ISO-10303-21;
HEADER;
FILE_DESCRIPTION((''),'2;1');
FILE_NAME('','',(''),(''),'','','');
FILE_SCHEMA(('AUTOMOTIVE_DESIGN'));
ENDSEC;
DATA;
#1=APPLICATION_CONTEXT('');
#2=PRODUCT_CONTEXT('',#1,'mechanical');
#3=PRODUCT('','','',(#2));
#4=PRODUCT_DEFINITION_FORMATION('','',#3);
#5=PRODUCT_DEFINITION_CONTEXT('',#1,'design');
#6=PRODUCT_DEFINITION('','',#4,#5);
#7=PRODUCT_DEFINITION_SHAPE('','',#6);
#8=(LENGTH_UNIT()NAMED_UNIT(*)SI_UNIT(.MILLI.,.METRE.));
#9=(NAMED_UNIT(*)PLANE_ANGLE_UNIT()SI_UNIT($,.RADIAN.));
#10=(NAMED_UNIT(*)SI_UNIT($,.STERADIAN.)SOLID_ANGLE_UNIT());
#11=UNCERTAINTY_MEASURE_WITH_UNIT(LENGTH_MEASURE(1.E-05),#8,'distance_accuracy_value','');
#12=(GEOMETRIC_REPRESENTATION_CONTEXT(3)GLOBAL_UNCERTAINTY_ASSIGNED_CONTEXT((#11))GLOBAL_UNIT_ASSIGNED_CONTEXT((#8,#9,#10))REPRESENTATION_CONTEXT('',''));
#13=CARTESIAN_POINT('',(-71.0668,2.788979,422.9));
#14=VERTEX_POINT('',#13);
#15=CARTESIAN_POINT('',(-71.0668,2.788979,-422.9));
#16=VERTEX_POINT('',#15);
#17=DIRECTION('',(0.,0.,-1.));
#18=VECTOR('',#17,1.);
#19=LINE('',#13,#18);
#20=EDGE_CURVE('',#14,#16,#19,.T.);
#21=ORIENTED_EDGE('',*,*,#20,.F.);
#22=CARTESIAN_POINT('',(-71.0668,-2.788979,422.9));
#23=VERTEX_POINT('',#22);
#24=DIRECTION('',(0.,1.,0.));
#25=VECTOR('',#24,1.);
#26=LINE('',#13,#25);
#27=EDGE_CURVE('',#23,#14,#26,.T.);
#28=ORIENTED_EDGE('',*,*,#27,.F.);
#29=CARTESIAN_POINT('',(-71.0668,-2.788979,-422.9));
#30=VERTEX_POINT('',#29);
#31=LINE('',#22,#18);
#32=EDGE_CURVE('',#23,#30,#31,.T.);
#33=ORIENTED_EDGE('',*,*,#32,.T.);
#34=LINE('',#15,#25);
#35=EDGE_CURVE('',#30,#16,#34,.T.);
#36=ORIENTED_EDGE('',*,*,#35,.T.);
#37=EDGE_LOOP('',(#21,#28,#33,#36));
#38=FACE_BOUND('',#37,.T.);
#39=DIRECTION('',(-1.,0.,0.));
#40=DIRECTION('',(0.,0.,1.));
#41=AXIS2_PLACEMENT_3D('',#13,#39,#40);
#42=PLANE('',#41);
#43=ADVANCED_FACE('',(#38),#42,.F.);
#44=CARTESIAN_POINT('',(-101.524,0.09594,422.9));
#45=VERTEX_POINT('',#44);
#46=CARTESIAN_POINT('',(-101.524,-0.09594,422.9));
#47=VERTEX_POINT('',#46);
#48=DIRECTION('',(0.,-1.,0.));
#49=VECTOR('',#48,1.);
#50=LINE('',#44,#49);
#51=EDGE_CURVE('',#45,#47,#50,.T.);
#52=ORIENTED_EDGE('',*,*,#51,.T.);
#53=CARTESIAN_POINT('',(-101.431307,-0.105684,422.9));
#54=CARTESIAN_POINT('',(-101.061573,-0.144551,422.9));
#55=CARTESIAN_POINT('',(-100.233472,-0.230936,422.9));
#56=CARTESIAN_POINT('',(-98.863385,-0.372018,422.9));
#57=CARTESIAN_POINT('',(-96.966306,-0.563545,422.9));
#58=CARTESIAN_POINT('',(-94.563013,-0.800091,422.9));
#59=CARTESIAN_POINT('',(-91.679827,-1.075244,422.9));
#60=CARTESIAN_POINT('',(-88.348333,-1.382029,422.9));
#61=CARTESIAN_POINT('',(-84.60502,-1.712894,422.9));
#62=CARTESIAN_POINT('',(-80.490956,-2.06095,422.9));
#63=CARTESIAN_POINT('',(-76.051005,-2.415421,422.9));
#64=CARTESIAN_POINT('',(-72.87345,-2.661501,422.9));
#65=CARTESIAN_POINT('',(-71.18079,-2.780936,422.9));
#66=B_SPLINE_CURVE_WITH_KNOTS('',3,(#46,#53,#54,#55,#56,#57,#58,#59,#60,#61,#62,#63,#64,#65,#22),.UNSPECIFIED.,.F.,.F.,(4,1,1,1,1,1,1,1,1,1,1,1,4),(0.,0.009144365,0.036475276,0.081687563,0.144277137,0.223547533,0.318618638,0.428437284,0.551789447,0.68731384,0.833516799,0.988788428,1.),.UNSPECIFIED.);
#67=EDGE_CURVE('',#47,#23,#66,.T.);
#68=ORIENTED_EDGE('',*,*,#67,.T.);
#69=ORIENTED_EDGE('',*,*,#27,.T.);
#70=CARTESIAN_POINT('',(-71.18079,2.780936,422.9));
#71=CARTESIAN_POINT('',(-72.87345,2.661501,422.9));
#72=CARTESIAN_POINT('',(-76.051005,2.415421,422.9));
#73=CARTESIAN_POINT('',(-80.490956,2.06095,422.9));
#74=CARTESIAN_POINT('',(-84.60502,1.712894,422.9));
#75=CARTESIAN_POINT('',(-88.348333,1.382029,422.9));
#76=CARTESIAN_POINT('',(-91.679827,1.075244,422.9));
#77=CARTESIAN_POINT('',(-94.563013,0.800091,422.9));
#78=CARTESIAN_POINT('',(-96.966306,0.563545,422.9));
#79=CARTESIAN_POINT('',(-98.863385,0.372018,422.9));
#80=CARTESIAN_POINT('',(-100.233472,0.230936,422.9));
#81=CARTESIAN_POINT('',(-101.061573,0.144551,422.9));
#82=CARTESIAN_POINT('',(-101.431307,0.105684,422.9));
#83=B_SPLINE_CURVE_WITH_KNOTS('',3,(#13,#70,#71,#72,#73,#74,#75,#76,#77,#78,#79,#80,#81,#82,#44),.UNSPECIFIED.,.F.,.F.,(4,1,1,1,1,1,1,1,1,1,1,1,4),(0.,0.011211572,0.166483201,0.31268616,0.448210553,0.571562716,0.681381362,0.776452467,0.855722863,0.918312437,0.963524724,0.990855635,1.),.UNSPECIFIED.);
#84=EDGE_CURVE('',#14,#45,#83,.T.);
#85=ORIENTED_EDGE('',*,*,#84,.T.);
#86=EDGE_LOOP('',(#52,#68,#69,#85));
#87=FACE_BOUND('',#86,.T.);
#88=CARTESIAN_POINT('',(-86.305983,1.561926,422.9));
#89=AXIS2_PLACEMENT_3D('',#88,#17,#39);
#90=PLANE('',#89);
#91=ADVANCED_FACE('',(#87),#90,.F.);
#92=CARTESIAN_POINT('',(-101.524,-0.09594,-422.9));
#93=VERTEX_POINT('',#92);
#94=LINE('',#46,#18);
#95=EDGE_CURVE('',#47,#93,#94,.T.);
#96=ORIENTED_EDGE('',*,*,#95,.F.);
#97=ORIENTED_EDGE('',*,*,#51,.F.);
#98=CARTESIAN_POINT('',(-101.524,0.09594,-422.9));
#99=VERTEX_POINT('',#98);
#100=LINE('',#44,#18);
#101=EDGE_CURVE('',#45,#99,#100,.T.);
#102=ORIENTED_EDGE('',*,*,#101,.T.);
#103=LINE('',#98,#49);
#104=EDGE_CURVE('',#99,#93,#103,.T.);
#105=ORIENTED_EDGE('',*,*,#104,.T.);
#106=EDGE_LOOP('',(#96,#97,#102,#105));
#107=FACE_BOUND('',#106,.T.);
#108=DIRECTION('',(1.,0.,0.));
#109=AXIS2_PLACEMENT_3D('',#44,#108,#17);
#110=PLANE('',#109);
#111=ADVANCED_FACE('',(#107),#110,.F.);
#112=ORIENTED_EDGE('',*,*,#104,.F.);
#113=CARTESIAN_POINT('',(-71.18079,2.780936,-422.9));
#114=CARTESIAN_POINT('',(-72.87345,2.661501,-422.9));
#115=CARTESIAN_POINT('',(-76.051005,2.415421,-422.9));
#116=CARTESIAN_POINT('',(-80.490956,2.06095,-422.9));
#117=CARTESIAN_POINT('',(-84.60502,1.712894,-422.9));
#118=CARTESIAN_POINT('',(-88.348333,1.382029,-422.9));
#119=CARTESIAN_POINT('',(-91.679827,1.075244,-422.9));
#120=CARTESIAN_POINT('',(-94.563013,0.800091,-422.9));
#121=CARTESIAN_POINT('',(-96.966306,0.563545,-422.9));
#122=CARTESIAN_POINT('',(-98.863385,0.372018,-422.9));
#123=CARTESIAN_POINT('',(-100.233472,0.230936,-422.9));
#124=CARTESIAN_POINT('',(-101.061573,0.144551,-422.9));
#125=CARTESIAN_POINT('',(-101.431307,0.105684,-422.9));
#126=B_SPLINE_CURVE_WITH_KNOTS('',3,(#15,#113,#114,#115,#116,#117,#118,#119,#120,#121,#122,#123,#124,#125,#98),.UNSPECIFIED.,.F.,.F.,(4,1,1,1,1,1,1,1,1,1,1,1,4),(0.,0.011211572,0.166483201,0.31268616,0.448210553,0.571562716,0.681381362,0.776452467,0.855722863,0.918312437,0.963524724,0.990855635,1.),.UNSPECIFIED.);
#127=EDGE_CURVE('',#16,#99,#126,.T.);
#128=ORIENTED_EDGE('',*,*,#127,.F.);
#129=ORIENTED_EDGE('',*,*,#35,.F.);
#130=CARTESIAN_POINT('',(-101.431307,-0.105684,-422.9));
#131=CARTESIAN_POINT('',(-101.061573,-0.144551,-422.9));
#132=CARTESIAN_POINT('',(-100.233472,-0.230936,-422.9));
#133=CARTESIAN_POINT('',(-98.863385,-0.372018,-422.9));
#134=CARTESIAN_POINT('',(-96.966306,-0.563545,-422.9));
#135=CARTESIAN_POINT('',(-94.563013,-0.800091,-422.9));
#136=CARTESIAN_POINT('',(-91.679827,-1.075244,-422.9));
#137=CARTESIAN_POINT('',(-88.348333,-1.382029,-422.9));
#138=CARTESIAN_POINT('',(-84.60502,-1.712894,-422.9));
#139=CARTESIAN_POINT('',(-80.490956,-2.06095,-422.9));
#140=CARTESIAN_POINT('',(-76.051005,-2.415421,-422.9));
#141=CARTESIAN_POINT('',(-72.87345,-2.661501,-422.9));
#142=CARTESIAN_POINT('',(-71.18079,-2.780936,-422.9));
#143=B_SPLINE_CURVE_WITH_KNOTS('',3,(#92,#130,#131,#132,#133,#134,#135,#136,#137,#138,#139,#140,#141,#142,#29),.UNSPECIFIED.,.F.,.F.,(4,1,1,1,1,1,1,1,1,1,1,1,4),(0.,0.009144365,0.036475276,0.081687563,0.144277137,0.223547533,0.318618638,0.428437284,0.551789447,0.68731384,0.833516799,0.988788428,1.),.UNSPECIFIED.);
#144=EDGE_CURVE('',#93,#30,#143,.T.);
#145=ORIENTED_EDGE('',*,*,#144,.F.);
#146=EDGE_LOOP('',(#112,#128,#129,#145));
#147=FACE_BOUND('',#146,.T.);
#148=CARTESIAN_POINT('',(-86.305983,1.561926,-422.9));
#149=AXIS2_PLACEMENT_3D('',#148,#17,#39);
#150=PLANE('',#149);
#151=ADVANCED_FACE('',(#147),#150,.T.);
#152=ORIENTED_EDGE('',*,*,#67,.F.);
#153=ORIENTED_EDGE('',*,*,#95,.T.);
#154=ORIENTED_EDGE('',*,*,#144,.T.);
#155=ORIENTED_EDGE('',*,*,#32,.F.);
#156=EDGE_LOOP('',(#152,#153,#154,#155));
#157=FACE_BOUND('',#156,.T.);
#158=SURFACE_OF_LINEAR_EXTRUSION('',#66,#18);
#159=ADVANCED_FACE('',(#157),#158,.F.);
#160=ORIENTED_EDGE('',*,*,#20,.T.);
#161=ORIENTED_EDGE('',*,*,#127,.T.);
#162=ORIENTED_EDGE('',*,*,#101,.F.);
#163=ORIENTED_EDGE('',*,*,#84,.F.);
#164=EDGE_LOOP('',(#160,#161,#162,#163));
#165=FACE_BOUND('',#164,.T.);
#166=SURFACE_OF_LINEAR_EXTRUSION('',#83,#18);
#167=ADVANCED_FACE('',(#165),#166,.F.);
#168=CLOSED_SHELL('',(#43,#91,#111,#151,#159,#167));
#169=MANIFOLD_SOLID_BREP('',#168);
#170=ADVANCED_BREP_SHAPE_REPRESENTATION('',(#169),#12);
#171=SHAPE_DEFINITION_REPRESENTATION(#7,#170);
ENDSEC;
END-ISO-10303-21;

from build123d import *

# Parameters (mm, degrees)
BOSS_EXTRUDE1_DEPTH = 422.9


with BuildPart() as part:
    # Sketch1 → Boss-Extrude1 (new, symmetric)
    with BuildSketch(Plane.XY):
        with BuildLine():
            Line((-71.0668, 2.788978681), (-71.0668, -2.788978681))
            add(Edge.make_bspline(
                [(-71.0668, -2.788978681), (-71.180789757, -2.780935505), (-72.873449735, -2.661500548), (-76.05100549, -2.415421445), (-80.490955936, -2.060949656), (-84.605020273, -1.712894337), (-88.348332728, -1.382028712), (-91.679826547, -1.075243647), (-94.563013415, -0.800090686), (-96.966306351, -0.56354481), (-98.86338481, -0.372017598), (-100.233471889, -0.23093643), (-101.061573115, -0.144551224), (-101.431307465, -0.105684166), (-101.524, -0.09594018)],
                knots=[0, 0, 0, 0, 0.011211572, 0.166483201, 0.31268616, 0.448210553, 0.571562716, 0.681381362, 0.776452467, 0.855722863, 0.918312437, 0.963524724, 0.990855635, 1, 1, 1, 1], degree=3))
            Line((-101.524, -0.09594018), (-101.524, 0.09594018))
            add(Edge.make_bspline(
                [(-71.0668, 2.788978681), (-71.180789757, 2.780935505), (-72.873449735, 2.661500548), (-76.05100549, 2.415421445), (-80.490955936, 2.060949656), (-84.605020273, 1.712894337), (-88.348332728, 1.382028712), (-91.679826547, 1.075243647), (-94.563013415, 0.800090686), (-96.966306351, 0.56354481), (-98.86338481, 0.372017598), (-100.233471889, 0.23093643), (-101.061573115, 0.144551224), (-101.431307465, 0.105684166), (-101.524, 0.09594018)],
                knots=[0, 0, 0, 0, 0.011211572, 0.166483201, 0.31268616, 0.448210553, 0.571562716, 0.681381362, 0.776452467, 0.855722863, 0.918312437, 0.963524724, 0.990855635, 1, 1, 1, 1], degree=3))
        make_face()
    extrude(amount=BOSS_EXTRUDE1_DEPTH, both=True)


solid = part.part
